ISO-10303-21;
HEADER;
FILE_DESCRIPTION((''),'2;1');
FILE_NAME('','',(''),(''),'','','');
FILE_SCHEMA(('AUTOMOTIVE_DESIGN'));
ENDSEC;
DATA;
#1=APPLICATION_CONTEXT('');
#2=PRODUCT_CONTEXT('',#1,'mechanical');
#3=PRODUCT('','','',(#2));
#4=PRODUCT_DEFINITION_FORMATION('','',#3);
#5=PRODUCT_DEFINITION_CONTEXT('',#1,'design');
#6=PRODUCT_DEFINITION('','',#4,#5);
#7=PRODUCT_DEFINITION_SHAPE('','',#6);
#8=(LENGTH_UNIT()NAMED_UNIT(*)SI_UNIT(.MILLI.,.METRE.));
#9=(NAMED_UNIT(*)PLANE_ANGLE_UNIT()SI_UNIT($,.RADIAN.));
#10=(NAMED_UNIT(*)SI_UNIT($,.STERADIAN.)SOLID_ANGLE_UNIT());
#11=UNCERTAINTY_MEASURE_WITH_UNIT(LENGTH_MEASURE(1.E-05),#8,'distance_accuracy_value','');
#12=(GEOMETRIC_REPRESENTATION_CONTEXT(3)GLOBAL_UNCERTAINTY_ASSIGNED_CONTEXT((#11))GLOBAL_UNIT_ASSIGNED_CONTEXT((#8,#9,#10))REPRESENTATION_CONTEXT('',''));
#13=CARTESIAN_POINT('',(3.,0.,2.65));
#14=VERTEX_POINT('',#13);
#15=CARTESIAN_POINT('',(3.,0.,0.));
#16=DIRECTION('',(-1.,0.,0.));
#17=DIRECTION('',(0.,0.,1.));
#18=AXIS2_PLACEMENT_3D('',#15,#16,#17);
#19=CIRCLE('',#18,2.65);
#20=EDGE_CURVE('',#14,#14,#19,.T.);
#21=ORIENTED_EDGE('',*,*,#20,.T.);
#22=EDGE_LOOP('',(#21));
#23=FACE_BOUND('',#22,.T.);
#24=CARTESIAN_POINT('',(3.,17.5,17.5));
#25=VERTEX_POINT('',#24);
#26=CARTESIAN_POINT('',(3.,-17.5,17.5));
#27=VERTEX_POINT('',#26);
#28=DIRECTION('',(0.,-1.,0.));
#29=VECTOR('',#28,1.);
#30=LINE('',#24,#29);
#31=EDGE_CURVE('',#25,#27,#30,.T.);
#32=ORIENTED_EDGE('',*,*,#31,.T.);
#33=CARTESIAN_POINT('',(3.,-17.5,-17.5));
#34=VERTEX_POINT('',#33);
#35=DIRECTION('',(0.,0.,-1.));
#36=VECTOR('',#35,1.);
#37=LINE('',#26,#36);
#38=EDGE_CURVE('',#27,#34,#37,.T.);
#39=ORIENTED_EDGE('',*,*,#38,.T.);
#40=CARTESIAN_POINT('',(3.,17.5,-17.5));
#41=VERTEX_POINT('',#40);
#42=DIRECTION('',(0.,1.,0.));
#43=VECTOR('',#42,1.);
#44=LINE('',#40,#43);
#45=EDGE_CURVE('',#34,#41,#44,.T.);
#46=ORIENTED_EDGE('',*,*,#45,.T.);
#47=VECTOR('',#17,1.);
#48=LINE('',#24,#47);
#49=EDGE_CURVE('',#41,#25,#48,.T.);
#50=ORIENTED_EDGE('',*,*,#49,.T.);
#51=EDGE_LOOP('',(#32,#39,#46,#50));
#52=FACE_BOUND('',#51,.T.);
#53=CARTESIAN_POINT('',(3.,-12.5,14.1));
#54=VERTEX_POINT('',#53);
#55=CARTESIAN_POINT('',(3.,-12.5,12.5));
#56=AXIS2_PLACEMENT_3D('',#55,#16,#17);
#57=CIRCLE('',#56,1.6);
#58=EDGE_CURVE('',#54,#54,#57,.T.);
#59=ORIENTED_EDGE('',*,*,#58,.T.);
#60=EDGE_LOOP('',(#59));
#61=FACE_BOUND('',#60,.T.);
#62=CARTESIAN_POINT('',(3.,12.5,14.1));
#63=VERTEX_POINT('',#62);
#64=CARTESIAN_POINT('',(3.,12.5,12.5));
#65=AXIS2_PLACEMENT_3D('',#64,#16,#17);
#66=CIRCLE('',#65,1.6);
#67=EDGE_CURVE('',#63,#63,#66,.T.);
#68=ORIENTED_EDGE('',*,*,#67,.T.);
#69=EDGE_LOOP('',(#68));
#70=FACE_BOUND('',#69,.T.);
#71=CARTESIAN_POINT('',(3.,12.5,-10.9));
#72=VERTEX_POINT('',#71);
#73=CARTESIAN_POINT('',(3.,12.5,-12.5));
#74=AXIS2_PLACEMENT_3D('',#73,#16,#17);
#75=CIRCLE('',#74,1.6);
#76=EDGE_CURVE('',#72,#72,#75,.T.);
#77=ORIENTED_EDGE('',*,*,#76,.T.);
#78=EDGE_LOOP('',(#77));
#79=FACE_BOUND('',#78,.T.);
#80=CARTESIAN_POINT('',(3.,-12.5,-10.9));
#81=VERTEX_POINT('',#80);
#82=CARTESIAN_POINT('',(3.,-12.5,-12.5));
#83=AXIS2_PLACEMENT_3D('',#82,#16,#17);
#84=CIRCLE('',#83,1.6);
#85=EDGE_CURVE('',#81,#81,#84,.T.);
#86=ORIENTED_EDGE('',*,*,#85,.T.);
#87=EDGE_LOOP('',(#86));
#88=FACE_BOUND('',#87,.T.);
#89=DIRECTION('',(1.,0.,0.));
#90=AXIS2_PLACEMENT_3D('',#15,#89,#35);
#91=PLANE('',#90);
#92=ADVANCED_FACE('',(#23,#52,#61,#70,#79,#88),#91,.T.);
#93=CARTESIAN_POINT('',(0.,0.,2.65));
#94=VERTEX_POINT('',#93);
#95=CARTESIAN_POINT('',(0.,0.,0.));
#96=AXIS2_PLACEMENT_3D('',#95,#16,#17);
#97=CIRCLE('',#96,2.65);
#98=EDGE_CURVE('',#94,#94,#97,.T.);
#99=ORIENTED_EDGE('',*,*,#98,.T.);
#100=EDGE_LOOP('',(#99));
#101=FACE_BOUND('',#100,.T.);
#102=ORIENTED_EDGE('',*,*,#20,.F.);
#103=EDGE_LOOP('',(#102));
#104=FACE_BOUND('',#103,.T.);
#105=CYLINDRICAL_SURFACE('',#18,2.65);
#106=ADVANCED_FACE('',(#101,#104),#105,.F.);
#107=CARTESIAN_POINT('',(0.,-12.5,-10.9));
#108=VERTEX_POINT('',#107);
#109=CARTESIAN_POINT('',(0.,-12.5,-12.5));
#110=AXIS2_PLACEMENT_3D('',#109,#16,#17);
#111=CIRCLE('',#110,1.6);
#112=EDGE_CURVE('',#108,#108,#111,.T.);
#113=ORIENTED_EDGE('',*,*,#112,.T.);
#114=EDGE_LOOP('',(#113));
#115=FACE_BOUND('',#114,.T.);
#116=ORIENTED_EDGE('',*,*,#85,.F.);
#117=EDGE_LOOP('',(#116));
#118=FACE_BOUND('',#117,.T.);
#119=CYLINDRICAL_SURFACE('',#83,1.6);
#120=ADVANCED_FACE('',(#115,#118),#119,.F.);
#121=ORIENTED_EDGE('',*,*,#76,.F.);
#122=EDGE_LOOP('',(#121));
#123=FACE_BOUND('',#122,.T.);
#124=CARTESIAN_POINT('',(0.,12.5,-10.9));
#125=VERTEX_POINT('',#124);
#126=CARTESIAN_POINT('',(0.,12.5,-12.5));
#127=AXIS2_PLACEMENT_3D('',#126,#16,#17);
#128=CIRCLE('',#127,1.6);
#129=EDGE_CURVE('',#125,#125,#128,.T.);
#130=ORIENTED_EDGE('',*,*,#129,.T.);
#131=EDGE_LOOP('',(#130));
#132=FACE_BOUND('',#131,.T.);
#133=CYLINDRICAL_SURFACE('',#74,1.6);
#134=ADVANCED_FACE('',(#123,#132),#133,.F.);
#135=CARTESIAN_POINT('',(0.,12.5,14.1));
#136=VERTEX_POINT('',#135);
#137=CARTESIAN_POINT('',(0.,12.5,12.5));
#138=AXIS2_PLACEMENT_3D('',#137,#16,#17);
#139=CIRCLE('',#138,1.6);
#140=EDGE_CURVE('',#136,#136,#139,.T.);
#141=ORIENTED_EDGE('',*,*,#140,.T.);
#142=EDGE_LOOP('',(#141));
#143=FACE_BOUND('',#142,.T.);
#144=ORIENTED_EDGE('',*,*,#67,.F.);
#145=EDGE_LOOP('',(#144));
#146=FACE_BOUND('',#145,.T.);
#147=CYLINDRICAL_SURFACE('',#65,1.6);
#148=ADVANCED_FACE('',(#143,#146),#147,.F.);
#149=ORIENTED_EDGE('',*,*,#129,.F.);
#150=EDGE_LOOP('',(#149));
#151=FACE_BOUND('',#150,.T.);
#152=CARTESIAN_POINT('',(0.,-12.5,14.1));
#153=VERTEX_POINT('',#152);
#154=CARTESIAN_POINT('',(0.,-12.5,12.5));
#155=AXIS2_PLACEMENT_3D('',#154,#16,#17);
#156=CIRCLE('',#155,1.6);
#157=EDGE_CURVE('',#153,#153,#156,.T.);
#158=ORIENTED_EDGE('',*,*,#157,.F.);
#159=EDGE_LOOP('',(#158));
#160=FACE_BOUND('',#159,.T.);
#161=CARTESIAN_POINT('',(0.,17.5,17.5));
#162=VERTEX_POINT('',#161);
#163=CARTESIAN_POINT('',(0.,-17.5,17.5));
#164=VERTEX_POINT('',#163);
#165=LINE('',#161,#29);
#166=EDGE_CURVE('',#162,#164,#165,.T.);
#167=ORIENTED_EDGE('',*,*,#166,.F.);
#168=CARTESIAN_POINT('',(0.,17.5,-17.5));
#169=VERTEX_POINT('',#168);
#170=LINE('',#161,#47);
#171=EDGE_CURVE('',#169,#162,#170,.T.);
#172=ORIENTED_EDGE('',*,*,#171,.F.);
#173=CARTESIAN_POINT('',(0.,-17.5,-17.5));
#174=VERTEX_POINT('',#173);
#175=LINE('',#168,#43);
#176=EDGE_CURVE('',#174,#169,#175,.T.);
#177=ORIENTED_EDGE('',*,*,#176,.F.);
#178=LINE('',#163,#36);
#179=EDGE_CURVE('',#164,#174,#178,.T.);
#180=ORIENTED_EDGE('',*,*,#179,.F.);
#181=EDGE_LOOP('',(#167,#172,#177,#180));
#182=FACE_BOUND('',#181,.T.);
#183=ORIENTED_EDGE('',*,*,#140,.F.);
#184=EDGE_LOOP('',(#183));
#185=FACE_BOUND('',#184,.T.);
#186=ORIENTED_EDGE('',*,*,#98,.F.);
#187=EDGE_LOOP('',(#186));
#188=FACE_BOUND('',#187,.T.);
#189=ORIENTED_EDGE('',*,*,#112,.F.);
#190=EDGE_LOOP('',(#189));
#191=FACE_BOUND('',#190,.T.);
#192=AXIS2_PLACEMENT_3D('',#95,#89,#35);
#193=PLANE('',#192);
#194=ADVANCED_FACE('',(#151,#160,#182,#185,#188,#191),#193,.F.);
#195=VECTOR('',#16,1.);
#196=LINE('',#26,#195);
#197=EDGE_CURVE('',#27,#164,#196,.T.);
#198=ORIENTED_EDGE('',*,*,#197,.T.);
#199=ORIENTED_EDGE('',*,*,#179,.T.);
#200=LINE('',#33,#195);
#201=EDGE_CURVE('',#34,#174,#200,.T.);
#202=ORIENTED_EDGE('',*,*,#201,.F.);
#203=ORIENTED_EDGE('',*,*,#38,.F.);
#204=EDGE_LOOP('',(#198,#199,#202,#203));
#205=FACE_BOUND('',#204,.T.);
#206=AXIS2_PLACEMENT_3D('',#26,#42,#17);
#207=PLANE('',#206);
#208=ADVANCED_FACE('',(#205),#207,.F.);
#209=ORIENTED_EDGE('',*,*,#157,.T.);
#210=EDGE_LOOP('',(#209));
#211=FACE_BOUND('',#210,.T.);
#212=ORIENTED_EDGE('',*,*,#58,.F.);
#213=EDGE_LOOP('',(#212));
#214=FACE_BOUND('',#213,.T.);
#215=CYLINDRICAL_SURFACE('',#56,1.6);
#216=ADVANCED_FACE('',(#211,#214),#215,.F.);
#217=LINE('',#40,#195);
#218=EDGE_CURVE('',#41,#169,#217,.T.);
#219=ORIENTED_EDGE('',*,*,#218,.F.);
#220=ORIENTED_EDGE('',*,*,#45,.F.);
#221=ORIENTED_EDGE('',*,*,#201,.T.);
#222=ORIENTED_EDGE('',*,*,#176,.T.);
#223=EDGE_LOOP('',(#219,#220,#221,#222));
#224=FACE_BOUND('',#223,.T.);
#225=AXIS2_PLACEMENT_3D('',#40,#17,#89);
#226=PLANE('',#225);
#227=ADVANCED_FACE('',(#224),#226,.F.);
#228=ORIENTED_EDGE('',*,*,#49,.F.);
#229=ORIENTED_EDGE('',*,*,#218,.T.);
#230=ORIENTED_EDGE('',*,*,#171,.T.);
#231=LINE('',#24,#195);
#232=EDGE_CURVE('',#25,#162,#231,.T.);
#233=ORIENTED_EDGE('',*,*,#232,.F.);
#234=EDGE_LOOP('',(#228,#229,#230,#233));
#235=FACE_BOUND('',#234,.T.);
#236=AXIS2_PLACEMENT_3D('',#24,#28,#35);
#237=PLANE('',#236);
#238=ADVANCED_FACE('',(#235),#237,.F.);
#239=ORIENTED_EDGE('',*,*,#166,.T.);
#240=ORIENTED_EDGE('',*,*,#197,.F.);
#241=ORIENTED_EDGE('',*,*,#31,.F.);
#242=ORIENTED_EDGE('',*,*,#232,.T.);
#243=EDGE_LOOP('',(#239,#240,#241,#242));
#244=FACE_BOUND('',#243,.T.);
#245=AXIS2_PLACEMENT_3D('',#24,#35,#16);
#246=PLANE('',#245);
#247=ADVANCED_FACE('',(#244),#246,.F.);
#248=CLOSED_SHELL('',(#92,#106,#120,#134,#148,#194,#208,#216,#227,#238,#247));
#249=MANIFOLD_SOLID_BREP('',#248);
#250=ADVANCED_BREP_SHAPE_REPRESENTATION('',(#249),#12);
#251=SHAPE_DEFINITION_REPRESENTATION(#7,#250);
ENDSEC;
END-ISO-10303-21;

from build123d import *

# Parameters (mm, degrees)
SKETCH1_W           = 35
SKETCH1_H           = 35
BOSS_EXTRUDE1_DEPTH = 3
SKETCH2_R           = 1.6
CUT_EXTRUDE1_DEPTH  = 25.929901725
SKETCH3_R           = 2.65
CUT_EXTRUDE2_DEPTH  = 25.929901725


with BuildPart() as part:
    # Sketch1 → Boss-Extrude1 (new body)
    with BuildSketch(Plane(origin=(0, 0, 0), x_dir=(0, 0, -1), z_dir=(1, 0, 0))):
        Rectangle(SKETCH1_W, SKETCH1_H)
    extrude(amount=BOSS_EXTRUDE1_DEPTH)

    # Sketch2 → Cut-Extrude1 (cut, through all)
    with BuildSketch(Plane.ZY):
        with Locations((-12.5, 12.5)):
            Circle(SKETCH2_R)
        with Locations((-12.5, -12.5)):
            Circle(SKETCH2_R)
        with Locations((12.5, -12.5)):
            Circle(SKETCH2_R)
        with Locations((12.5, 12.5)):
            Circle(SKETCH2_R)
    extrude(amount=-CUT_EXTRUDE1_DEPTH, mode=Mode.SUBTRACT)

    # Sketch3 → Cut-Extrude2 (cut, through all)
    with BuildSketch(Plane.ZY):
        Circle(SKETCH3_R)
    extrude(amount=-CUT_EXTRUDE2_DEPTH, mode=Mode.SUBTRACT)


solid = part.part
